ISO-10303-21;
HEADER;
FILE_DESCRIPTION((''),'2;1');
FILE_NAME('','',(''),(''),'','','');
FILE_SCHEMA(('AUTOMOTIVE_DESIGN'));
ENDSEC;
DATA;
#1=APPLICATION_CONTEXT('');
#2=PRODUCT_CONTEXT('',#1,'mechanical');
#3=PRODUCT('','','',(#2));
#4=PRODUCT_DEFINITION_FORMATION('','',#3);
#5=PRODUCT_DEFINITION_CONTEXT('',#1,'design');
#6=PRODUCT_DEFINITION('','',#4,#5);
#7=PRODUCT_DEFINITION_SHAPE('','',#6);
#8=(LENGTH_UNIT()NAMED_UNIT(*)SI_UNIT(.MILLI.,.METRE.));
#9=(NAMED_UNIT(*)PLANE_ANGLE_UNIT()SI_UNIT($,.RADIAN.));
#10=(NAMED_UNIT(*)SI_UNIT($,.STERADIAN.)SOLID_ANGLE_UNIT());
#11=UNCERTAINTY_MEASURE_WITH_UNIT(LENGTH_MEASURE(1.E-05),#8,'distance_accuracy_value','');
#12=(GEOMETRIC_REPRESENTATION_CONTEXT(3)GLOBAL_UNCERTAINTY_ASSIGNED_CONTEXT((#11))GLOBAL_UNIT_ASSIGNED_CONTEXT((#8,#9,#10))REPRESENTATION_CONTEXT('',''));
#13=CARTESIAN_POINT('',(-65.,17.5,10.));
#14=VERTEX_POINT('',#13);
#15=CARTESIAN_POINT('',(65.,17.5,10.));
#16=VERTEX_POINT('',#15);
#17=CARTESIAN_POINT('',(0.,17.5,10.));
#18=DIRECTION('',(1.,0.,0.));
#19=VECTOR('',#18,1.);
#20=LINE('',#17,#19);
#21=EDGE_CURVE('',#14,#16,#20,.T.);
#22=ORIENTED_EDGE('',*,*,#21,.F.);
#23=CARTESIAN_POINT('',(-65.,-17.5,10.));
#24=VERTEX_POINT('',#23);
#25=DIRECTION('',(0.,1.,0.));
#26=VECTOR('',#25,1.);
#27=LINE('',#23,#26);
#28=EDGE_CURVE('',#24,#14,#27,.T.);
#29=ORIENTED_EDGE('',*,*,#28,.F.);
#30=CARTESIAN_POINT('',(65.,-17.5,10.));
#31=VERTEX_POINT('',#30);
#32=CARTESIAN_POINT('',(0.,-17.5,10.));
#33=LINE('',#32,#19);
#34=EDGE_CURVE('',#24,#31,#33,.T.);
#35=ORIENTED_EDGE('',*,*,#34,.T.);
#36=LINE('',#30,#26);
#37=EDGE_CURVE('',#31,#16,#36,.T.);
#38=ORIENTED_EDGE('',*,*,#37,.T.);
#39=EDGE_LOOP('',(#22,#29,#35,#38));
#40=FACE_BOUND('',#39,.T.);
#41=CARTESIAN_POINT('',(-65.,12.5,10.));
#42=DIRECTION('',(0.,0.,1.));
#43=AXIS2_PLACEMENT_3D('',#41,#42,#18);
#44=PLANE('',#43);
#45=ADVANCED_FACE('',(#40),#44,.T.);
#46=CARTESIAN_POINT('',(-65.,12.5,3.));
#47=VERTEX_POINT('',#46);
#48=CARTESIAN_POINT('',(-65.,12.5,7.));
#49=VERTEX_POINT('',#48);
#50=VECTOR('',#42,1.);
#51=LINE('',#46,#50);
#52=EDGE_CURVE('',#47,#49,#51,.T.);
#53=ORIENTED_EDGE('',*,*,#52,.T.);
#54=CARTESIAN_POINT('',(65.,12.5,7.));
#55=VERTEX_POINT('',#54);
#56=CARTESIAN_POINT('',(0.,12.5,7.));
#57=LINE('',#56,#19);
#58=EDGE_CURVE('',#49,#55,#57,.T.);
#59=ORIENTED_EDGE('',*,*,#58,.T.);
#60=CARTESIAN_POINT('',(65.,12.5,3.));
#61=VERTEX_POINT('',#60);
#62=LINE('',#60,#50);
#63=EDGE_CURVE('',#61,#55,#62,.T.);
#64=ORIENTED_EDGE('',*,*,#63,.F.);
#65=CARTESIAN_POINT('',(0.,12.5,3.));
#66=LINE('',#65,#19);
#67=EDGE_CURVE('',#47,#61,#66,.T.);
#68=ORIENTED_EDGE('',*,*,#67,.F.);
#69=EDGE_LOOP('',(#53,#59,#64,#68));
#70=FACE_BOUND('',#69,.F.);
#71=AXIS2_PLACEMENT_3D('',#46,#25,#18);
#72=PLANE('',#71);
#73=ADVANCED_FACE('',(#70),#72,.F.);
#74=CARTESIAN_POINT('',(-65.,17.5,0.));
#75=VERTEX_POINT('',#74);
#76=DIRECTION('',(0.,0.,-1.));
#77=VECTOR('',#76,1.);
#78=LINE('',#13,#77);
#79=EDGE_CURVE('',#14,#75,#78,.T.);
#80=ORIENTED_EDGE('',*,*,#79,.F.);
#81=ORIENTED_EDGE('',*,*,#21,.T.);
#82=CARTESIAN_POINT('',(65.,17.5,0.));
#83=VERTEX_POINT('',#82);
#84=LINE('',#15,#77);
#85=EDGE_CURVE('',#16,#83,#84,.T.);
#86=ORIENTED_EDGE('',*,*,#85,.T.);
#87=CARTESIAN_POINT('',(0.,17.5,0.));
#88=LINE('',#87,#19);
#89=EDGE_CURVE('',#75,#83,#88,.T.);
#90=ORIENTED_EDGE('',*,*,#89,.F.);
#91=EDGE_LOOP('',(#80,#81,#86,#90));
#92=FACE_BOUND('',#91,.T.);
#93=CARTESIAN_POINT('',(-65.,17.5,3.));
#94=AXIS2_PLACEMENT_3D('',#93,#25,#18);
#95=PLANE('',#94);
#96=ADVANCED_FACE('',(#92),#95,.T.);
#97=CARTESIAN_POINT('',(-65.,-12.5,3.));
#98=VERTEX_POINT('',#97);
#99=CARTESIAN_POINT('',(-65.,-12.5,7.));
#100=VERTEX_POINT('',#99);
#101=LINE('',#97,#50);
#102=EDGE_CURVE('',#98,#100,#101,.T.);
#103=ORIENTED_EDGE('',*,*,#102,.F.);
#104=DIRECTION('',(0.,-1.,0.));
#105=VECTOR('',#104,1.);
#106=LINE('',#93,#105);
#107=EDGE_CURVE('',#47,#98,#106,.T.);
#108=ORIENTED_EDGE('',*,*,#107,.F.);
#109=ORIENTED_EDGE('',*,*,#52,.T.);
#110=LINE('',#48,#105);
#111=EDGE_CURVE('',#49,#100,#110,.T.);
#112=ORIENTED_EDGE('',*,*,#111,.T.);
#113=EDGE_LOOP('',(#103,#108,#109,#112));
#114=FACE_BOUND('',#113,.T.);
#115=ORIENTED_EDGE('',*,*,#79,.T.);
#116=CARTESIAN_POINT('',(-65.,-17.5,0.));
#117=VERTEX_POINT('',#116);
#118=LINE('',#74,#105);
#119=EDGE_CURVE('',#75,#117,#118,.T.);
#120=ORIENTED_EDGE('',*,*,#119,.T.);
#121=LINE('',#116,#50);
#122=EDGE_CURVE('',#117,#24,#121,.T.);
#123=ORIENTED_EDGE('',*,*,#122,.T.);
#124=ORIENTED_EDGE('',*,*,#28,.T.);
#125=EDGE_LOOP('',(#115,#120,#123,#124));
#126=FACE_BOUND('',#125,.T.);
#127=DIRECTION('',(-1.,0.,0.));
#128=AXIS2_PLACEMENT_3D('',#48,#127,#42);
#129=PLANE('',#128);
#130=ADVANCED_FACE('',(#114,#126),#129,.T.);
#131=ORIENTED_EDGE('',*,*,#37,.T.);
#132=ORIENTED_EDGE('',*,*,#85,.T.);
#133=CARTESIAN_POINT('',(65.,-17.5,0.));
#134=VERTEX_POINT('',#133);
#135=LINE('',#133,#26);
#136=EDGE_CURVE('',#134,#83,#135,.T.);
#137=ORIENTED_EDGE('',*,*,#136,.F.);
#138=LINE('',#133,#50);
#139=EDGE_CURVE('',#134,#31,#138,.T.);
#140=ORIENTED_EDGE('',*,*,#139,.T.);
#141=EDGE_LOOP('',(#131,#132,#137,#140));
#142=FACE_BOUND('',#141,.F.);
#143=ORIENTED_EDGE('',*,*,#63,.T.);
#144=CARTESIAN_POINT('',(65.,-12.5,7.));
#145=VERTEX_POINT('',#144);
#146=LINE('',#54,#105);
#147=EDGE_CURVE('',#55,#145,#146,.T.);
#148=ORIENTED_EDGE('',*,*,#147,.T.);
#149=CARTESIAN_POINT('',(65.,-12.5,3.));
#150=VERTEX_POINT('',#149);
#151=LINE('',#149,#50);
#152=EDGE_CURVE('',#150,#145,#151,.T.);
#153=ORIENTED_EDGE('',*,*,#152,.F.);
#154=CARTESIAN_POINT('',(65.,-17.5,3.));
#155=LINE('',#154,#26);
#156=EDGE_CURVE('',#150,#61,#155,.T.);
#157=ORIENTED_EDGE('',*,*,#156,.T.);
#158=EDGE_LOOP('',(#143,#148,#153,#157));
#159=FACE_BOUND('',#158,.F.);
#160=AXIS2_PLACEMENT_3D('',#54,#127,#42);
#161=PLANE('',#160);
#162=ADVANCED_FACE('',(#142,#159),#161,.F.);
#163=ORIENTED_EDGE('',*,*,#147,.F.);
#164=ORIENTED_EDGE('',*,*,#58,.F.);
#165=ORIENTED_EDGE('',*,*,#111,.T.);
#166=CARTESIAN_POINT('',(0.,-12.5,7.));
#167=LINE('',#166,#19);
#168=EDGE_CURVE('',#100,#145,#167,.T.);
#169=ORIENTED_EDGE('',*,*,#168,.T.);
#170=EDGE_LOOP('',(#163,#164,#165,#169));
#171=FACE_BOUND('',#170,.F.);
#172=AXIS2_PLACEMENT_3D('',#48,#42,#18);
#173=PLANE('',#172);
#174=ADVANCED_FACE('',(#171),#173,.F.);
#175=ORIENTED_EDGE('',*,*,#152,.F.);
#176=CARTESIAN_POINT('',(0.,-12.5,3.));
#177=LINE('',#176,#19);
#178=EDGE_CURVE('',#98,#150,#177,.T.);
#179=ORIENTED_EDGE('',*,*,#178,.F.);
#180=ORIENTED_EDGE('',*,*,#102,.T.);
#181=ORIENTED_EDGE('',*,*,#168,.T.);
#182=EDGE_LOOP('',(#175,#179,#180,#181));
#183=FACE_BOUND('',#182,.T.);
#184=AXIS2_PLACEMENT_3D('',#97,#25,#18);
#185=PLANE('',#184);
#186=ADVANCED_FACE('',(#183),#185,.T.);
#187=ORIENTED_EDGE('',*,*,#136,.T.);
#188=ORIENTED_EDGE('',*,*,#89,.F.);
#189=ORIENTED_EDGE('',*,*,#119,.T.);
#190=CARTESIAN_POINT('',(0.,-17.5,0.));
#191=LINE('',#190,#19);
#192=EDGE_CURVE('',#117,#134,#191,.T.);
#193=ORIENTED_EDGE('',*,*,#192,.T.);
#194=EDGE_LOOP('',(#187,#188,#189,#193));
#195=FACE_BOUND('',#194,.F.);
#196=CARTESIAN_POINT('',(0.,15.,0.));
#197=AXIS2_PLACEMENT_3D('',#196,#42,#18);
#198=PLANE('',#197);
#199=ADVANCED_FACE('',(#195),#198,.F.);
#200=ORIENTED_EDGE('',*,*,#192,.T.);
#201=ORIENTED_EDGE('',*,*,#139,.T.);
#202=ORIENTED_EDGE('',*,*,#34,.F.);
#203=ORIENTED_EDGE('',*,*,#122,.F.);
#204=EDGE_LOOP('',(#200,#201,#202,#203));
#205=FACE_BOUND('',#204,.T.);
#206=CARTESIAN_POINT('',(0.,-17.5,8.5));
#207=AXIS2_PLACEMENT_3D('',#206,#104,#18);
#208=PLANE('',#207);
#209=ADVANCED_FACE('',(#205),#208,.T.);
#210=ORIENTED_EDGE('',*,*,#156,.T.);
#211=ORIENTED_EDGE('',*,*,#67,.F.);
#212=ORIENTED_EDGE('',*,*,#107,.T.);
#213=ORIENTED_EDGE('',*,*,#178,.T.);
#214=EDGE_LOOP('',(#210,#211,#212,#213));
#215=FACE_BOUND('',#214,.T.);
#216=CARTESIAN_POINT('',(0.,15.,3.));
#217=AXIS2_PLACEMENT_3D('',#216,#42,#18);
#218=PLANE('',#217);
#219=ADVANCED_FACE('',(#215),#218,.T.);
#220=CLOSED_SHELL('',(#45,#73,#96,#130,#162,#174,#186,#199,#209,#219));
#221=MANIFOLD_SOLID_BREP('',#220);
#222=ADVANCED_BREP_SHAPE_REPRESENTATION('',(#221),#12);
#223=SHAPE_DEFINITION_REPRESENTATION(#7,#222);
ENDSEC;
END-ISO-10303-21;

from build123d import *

# Parameters (mm, degrees)
F0_W     = 130
F0_H     = 5
F0_H_2   = 25
F1_DEPTH = 3
F2_W     = 130
F2_H     = 5
F3_DEPTH = 7
F4_W     = 130
F4_H     = 5
F5_DEPTH = 4
F6_W     = 130
F6_H     = 3
F7_DEPTH = 30


with BuildPart() as f1:
    # F0 (on Top) → F1 (new body)
    with BuildSketch(Plane.XY):
        with Locations((0, 15)):
            Rectangle(F0_W, F0_H)
        Rectangle(F0_W, F0_H_2)
        with Locations((0, -15)):
            Rectangle(F0_W, F0_H)
    extrude(amount=F1_DEPTH)

    # F2 (on face) → F3 (join)
    with BuildSketch(Plane.XY.offset(3)):
        with Locations((0, 15)):
            Rectangle(F2_W, F2_H)
    extrude(amount=F3_DEPTH)

    # F4 (on face) → F5 (join)
    with BuildSketch(Plane.XY.offset(3)):
        with Locations((0, -15)):
            Rectangle(F4_W, F4_H)
    extrude(amount=F5_DEPTH)

    # F6 (on face) → F7 (join)
    with BuildSketch(Plane.XZ.offset(-12.5)):
        with Locations((0, 8.5)):
            Rectangle(F6_W, F6_H)
    extrude(amount=F7_DEPTH)


solid = f1.part
